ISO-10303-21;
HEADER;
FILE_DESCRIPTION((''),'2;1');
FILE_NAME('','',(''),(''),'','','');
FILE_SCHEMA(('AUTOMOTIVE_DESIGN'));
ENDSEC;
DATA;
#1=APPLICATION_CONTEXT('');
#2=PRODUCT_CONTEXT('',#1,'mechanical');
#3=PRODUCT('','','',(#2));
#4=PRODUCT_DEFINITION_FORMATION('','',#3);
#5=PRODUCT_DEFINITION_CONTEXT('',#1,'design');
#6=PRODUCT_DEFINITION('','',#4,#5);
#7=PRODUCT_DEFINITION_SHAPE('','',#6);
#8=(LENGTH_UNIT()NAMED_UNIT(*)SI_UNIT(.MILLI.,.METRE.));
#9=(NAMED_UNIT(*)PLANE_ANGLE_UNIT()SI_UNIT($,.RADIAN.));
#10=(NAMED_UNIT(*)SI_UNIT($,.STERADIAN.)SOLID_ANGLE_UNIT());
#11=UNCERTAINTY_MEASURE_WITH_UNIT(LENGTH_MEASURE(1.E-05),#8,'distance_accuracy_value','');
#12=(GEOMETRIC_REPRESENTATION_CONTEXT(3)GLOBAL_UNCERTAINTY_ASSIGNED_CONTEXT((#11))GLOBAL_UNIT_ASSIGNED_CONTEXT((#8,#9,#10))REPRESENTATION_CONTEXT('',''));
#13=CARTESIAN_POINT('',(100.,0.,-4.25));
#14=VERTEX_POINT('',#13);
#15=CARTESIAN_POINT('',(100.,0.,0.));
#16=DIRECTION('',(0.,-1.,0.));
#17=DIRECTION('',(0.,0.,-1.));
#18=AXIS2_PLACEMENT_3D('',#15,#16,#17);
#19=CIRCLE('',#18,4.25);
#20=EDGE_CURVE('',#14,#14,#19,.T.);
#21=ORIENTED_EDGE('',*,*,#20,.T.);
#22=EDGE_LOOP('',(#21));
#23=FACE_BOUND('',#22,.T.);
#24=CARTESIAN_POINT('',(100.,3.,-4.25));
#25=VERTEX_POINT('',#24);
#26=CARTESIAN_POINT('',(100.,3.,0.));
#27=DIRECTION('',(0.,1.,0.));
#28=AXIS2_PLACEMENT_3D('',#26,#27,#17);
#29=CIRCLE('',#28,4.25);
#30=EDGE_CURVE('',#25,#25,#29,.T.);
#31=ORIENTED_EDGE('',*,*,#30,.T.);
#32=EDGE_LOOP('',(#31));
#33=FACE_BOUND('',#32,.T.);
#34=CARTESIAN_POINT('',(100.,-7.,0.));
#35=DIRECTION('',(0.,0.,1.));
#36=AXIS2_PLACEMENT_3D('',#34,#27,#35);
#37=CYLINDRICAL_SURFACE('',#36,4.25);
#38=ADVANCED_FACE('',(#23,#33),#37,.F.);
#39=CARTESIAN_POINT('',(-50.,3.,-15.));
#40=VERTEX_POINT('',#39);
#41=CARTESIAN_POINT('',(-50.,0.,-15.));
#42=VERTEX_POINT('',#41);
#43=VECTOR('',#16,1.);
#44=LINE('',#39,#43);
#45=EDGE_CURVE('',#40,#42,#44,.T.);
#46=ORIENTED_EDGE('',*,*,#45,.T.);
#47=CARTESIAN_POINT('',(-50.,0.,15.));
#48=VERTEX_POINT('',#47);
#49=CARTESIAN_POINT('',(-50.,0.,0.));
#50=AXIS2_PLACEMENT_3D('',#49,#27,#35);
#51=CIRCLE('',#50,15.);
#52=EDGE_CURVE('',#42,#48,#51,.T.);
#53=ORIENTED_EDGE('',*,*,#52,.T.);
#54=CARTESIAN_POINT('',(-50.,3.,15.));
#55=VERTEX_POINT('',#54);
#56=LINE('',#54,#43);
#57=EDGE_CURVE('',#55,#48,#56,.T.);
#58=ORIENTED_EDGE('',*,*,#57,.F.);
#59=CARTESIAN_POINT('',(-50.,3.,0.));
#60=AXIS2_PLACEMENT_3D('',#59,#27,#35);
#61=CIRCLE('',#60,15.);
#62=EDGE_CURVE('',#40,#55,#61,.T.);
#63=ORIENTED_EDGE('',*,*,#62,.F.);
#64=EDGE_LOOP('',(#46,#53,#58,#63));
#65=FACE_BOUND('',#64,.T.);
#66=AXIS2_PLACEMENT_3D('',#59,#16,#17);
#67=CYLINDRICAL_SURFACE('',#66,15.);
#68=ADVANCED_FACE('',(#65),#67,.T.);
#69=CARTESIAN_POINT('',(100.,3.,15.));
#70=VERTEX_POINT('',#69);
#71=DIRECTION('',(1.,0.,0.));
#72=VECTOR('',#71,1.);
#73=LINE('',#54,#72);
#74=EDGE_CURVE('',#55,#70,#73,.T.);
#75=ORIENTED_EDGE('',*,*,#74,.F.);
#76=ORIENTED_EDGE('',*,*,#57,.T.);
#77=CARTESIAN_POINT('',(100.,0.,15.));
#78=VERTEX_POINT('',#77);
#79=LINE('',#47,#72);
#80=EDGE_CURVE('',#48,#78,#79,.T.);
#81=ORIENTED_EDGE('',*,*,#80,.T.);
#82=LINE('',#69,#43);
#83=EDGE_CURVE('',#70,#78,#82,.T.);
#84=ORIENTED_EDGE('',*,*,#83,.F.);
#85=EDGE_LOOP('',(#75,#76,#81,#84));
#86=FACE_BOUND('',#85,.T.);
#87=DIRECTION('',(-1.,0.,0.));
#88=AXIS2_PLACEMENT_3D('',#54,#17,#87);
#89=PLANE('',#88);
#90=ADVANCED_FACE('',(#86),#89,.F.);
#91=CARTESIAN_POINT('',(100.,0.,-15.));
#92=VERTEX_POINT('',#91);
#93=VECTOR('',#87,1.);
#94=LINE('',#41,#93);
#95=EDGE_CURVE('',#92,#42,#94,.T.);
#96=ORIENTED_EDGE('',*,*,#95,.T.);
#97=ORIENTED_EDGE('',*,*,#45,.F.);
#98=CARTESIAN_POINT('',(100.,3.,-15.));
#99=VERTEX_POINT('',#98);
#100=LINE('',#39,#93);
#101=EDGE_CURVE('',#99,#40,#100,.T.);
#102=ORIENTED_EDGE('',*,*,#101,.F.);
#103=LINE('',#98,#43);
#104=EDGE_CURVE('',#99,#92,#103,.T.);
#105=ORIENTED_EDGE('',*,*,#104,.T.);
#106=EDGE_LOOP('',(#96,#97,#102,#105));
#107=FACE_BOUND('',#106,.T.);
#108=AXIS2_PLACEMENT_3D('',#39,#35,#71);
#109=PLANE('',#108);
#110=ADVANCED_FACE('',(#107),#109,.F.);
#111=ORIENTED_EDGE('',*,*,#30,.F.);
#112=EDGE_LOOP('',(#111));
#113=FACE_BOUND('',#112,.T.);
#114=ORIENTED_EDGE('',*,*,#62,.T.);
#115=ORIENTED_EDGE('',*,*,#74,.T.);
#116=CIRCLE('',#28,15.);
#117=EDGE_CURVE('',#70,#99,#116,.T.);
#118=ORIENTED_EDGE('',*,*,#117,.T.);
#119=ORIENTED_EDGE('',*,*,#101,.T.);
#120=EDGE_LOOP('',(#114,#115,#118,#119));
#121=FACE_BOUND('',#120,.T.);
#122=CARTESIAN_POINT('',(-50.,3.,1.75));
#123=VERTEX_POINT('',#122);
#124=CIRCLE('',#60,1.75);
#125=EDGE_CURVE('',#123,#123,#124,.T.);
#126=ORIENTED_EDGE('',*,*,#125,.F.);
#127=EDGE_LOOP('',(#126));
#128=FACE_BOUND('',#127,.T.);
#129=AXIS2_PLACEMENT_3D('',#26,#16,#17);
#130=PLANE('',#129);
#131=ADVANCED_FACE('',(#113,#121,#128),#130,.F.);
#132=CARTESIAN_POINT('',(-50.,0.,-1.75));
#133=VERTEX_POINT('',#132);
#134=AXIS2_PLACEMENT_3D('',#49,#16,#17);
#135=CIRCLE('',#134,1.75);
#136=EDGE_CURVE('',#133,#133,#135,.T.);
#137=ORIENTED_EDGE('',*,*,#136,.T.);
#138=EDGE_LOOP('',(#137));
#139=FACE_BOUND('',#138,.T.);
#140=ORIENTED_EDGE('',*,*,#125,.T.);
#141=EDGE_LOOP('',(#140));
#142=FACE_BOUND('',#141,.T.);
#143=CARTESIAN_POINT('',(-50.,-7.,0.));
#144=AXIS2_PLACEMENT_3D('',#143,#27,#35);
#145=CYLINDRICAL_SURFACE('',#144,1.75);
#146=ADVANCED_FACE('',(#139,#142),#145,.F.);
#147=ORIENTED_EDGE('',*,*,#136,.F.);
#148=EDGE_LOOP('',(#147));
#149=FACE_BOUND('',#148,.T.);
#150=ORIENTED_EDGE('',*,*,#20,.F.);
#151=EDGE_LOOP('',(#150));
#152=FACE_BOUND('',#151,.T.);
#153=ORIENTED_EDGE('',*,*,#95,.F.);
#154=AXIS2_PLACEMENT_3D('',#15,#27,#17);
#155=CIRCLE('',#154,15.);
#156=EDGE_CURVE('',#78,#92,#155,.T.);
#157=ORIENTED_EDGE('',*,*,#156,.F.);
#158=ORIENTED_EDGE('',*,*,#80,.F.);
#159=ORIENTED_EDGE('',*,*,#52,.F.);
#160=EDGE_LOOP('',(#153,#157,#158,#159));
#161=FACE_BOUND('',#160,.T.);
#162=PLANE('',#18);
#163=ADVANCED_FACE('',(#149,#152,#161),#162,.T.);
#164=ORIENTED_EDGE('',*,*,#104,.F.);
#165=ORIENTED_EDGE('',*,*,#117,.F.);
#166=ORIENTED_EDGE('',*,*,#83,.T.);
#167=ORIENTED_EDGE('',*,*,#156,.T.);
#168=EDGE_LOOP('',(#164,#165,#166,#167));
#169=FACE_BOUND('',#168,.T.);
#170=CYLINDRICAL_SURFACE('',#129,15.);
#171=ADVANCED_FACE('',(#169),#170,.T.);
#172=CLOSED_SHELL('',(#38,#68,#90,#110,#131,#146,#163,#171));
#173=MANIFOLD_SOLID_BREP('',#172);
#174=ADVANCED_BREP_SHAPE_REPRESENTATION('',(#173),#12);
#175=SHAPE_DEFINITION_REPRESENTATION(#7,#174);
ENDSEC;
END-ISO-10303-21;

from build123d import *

# Parameters (mm, degrees)
RESSALTO_EXTRUS_O2_DEPTH = 3
ESBO_O4_R                = 1.75
ESBO_O4_R_2              = 4.25
CORTE_EXTRUS_O1_DEPTH    = 10


with BuildPart() as part:
    # Esboço3 → Ressalto-extrusão2 (new body)
    with BuildSketch(Plane(origin=(0, 0, 0), x_dir=(1, 0, 0), z_dir=(0, 1, 0))):
        with BuildLine():
            Line((-50, 15), (100, 15))
            ThreePointArc((100, 15), (115, 0), (100, -15))
            Line((100, -15), (-50, -15))
            ThreePointArc((-50, -15), (-65, 0), (-50, 15))
        make_face()
    extrude(amount=RESSALTO_EXTRUS_O2_DEPTH)

    # Esboço4 → Corte-extrusão1 (cut)
    with BuildSketch(Plane(origin=(0, 3, 0), x_dir=(1, 0, 0), z_dir=(0, 1, 0))):
        with Locations(Location((-50, 0, 0), (0, 0, 270))):
            Circle(ESBO_O4_R)
        with Locations(Location((100, 0, 0), (0, 0, 90))):
            Circle(ESBO_O4_R_2)
    extrude(amount=-CORTE_EXTRUS_O1_DEPTH, mode=Mode.SUBTRACT)


solid = part.part
